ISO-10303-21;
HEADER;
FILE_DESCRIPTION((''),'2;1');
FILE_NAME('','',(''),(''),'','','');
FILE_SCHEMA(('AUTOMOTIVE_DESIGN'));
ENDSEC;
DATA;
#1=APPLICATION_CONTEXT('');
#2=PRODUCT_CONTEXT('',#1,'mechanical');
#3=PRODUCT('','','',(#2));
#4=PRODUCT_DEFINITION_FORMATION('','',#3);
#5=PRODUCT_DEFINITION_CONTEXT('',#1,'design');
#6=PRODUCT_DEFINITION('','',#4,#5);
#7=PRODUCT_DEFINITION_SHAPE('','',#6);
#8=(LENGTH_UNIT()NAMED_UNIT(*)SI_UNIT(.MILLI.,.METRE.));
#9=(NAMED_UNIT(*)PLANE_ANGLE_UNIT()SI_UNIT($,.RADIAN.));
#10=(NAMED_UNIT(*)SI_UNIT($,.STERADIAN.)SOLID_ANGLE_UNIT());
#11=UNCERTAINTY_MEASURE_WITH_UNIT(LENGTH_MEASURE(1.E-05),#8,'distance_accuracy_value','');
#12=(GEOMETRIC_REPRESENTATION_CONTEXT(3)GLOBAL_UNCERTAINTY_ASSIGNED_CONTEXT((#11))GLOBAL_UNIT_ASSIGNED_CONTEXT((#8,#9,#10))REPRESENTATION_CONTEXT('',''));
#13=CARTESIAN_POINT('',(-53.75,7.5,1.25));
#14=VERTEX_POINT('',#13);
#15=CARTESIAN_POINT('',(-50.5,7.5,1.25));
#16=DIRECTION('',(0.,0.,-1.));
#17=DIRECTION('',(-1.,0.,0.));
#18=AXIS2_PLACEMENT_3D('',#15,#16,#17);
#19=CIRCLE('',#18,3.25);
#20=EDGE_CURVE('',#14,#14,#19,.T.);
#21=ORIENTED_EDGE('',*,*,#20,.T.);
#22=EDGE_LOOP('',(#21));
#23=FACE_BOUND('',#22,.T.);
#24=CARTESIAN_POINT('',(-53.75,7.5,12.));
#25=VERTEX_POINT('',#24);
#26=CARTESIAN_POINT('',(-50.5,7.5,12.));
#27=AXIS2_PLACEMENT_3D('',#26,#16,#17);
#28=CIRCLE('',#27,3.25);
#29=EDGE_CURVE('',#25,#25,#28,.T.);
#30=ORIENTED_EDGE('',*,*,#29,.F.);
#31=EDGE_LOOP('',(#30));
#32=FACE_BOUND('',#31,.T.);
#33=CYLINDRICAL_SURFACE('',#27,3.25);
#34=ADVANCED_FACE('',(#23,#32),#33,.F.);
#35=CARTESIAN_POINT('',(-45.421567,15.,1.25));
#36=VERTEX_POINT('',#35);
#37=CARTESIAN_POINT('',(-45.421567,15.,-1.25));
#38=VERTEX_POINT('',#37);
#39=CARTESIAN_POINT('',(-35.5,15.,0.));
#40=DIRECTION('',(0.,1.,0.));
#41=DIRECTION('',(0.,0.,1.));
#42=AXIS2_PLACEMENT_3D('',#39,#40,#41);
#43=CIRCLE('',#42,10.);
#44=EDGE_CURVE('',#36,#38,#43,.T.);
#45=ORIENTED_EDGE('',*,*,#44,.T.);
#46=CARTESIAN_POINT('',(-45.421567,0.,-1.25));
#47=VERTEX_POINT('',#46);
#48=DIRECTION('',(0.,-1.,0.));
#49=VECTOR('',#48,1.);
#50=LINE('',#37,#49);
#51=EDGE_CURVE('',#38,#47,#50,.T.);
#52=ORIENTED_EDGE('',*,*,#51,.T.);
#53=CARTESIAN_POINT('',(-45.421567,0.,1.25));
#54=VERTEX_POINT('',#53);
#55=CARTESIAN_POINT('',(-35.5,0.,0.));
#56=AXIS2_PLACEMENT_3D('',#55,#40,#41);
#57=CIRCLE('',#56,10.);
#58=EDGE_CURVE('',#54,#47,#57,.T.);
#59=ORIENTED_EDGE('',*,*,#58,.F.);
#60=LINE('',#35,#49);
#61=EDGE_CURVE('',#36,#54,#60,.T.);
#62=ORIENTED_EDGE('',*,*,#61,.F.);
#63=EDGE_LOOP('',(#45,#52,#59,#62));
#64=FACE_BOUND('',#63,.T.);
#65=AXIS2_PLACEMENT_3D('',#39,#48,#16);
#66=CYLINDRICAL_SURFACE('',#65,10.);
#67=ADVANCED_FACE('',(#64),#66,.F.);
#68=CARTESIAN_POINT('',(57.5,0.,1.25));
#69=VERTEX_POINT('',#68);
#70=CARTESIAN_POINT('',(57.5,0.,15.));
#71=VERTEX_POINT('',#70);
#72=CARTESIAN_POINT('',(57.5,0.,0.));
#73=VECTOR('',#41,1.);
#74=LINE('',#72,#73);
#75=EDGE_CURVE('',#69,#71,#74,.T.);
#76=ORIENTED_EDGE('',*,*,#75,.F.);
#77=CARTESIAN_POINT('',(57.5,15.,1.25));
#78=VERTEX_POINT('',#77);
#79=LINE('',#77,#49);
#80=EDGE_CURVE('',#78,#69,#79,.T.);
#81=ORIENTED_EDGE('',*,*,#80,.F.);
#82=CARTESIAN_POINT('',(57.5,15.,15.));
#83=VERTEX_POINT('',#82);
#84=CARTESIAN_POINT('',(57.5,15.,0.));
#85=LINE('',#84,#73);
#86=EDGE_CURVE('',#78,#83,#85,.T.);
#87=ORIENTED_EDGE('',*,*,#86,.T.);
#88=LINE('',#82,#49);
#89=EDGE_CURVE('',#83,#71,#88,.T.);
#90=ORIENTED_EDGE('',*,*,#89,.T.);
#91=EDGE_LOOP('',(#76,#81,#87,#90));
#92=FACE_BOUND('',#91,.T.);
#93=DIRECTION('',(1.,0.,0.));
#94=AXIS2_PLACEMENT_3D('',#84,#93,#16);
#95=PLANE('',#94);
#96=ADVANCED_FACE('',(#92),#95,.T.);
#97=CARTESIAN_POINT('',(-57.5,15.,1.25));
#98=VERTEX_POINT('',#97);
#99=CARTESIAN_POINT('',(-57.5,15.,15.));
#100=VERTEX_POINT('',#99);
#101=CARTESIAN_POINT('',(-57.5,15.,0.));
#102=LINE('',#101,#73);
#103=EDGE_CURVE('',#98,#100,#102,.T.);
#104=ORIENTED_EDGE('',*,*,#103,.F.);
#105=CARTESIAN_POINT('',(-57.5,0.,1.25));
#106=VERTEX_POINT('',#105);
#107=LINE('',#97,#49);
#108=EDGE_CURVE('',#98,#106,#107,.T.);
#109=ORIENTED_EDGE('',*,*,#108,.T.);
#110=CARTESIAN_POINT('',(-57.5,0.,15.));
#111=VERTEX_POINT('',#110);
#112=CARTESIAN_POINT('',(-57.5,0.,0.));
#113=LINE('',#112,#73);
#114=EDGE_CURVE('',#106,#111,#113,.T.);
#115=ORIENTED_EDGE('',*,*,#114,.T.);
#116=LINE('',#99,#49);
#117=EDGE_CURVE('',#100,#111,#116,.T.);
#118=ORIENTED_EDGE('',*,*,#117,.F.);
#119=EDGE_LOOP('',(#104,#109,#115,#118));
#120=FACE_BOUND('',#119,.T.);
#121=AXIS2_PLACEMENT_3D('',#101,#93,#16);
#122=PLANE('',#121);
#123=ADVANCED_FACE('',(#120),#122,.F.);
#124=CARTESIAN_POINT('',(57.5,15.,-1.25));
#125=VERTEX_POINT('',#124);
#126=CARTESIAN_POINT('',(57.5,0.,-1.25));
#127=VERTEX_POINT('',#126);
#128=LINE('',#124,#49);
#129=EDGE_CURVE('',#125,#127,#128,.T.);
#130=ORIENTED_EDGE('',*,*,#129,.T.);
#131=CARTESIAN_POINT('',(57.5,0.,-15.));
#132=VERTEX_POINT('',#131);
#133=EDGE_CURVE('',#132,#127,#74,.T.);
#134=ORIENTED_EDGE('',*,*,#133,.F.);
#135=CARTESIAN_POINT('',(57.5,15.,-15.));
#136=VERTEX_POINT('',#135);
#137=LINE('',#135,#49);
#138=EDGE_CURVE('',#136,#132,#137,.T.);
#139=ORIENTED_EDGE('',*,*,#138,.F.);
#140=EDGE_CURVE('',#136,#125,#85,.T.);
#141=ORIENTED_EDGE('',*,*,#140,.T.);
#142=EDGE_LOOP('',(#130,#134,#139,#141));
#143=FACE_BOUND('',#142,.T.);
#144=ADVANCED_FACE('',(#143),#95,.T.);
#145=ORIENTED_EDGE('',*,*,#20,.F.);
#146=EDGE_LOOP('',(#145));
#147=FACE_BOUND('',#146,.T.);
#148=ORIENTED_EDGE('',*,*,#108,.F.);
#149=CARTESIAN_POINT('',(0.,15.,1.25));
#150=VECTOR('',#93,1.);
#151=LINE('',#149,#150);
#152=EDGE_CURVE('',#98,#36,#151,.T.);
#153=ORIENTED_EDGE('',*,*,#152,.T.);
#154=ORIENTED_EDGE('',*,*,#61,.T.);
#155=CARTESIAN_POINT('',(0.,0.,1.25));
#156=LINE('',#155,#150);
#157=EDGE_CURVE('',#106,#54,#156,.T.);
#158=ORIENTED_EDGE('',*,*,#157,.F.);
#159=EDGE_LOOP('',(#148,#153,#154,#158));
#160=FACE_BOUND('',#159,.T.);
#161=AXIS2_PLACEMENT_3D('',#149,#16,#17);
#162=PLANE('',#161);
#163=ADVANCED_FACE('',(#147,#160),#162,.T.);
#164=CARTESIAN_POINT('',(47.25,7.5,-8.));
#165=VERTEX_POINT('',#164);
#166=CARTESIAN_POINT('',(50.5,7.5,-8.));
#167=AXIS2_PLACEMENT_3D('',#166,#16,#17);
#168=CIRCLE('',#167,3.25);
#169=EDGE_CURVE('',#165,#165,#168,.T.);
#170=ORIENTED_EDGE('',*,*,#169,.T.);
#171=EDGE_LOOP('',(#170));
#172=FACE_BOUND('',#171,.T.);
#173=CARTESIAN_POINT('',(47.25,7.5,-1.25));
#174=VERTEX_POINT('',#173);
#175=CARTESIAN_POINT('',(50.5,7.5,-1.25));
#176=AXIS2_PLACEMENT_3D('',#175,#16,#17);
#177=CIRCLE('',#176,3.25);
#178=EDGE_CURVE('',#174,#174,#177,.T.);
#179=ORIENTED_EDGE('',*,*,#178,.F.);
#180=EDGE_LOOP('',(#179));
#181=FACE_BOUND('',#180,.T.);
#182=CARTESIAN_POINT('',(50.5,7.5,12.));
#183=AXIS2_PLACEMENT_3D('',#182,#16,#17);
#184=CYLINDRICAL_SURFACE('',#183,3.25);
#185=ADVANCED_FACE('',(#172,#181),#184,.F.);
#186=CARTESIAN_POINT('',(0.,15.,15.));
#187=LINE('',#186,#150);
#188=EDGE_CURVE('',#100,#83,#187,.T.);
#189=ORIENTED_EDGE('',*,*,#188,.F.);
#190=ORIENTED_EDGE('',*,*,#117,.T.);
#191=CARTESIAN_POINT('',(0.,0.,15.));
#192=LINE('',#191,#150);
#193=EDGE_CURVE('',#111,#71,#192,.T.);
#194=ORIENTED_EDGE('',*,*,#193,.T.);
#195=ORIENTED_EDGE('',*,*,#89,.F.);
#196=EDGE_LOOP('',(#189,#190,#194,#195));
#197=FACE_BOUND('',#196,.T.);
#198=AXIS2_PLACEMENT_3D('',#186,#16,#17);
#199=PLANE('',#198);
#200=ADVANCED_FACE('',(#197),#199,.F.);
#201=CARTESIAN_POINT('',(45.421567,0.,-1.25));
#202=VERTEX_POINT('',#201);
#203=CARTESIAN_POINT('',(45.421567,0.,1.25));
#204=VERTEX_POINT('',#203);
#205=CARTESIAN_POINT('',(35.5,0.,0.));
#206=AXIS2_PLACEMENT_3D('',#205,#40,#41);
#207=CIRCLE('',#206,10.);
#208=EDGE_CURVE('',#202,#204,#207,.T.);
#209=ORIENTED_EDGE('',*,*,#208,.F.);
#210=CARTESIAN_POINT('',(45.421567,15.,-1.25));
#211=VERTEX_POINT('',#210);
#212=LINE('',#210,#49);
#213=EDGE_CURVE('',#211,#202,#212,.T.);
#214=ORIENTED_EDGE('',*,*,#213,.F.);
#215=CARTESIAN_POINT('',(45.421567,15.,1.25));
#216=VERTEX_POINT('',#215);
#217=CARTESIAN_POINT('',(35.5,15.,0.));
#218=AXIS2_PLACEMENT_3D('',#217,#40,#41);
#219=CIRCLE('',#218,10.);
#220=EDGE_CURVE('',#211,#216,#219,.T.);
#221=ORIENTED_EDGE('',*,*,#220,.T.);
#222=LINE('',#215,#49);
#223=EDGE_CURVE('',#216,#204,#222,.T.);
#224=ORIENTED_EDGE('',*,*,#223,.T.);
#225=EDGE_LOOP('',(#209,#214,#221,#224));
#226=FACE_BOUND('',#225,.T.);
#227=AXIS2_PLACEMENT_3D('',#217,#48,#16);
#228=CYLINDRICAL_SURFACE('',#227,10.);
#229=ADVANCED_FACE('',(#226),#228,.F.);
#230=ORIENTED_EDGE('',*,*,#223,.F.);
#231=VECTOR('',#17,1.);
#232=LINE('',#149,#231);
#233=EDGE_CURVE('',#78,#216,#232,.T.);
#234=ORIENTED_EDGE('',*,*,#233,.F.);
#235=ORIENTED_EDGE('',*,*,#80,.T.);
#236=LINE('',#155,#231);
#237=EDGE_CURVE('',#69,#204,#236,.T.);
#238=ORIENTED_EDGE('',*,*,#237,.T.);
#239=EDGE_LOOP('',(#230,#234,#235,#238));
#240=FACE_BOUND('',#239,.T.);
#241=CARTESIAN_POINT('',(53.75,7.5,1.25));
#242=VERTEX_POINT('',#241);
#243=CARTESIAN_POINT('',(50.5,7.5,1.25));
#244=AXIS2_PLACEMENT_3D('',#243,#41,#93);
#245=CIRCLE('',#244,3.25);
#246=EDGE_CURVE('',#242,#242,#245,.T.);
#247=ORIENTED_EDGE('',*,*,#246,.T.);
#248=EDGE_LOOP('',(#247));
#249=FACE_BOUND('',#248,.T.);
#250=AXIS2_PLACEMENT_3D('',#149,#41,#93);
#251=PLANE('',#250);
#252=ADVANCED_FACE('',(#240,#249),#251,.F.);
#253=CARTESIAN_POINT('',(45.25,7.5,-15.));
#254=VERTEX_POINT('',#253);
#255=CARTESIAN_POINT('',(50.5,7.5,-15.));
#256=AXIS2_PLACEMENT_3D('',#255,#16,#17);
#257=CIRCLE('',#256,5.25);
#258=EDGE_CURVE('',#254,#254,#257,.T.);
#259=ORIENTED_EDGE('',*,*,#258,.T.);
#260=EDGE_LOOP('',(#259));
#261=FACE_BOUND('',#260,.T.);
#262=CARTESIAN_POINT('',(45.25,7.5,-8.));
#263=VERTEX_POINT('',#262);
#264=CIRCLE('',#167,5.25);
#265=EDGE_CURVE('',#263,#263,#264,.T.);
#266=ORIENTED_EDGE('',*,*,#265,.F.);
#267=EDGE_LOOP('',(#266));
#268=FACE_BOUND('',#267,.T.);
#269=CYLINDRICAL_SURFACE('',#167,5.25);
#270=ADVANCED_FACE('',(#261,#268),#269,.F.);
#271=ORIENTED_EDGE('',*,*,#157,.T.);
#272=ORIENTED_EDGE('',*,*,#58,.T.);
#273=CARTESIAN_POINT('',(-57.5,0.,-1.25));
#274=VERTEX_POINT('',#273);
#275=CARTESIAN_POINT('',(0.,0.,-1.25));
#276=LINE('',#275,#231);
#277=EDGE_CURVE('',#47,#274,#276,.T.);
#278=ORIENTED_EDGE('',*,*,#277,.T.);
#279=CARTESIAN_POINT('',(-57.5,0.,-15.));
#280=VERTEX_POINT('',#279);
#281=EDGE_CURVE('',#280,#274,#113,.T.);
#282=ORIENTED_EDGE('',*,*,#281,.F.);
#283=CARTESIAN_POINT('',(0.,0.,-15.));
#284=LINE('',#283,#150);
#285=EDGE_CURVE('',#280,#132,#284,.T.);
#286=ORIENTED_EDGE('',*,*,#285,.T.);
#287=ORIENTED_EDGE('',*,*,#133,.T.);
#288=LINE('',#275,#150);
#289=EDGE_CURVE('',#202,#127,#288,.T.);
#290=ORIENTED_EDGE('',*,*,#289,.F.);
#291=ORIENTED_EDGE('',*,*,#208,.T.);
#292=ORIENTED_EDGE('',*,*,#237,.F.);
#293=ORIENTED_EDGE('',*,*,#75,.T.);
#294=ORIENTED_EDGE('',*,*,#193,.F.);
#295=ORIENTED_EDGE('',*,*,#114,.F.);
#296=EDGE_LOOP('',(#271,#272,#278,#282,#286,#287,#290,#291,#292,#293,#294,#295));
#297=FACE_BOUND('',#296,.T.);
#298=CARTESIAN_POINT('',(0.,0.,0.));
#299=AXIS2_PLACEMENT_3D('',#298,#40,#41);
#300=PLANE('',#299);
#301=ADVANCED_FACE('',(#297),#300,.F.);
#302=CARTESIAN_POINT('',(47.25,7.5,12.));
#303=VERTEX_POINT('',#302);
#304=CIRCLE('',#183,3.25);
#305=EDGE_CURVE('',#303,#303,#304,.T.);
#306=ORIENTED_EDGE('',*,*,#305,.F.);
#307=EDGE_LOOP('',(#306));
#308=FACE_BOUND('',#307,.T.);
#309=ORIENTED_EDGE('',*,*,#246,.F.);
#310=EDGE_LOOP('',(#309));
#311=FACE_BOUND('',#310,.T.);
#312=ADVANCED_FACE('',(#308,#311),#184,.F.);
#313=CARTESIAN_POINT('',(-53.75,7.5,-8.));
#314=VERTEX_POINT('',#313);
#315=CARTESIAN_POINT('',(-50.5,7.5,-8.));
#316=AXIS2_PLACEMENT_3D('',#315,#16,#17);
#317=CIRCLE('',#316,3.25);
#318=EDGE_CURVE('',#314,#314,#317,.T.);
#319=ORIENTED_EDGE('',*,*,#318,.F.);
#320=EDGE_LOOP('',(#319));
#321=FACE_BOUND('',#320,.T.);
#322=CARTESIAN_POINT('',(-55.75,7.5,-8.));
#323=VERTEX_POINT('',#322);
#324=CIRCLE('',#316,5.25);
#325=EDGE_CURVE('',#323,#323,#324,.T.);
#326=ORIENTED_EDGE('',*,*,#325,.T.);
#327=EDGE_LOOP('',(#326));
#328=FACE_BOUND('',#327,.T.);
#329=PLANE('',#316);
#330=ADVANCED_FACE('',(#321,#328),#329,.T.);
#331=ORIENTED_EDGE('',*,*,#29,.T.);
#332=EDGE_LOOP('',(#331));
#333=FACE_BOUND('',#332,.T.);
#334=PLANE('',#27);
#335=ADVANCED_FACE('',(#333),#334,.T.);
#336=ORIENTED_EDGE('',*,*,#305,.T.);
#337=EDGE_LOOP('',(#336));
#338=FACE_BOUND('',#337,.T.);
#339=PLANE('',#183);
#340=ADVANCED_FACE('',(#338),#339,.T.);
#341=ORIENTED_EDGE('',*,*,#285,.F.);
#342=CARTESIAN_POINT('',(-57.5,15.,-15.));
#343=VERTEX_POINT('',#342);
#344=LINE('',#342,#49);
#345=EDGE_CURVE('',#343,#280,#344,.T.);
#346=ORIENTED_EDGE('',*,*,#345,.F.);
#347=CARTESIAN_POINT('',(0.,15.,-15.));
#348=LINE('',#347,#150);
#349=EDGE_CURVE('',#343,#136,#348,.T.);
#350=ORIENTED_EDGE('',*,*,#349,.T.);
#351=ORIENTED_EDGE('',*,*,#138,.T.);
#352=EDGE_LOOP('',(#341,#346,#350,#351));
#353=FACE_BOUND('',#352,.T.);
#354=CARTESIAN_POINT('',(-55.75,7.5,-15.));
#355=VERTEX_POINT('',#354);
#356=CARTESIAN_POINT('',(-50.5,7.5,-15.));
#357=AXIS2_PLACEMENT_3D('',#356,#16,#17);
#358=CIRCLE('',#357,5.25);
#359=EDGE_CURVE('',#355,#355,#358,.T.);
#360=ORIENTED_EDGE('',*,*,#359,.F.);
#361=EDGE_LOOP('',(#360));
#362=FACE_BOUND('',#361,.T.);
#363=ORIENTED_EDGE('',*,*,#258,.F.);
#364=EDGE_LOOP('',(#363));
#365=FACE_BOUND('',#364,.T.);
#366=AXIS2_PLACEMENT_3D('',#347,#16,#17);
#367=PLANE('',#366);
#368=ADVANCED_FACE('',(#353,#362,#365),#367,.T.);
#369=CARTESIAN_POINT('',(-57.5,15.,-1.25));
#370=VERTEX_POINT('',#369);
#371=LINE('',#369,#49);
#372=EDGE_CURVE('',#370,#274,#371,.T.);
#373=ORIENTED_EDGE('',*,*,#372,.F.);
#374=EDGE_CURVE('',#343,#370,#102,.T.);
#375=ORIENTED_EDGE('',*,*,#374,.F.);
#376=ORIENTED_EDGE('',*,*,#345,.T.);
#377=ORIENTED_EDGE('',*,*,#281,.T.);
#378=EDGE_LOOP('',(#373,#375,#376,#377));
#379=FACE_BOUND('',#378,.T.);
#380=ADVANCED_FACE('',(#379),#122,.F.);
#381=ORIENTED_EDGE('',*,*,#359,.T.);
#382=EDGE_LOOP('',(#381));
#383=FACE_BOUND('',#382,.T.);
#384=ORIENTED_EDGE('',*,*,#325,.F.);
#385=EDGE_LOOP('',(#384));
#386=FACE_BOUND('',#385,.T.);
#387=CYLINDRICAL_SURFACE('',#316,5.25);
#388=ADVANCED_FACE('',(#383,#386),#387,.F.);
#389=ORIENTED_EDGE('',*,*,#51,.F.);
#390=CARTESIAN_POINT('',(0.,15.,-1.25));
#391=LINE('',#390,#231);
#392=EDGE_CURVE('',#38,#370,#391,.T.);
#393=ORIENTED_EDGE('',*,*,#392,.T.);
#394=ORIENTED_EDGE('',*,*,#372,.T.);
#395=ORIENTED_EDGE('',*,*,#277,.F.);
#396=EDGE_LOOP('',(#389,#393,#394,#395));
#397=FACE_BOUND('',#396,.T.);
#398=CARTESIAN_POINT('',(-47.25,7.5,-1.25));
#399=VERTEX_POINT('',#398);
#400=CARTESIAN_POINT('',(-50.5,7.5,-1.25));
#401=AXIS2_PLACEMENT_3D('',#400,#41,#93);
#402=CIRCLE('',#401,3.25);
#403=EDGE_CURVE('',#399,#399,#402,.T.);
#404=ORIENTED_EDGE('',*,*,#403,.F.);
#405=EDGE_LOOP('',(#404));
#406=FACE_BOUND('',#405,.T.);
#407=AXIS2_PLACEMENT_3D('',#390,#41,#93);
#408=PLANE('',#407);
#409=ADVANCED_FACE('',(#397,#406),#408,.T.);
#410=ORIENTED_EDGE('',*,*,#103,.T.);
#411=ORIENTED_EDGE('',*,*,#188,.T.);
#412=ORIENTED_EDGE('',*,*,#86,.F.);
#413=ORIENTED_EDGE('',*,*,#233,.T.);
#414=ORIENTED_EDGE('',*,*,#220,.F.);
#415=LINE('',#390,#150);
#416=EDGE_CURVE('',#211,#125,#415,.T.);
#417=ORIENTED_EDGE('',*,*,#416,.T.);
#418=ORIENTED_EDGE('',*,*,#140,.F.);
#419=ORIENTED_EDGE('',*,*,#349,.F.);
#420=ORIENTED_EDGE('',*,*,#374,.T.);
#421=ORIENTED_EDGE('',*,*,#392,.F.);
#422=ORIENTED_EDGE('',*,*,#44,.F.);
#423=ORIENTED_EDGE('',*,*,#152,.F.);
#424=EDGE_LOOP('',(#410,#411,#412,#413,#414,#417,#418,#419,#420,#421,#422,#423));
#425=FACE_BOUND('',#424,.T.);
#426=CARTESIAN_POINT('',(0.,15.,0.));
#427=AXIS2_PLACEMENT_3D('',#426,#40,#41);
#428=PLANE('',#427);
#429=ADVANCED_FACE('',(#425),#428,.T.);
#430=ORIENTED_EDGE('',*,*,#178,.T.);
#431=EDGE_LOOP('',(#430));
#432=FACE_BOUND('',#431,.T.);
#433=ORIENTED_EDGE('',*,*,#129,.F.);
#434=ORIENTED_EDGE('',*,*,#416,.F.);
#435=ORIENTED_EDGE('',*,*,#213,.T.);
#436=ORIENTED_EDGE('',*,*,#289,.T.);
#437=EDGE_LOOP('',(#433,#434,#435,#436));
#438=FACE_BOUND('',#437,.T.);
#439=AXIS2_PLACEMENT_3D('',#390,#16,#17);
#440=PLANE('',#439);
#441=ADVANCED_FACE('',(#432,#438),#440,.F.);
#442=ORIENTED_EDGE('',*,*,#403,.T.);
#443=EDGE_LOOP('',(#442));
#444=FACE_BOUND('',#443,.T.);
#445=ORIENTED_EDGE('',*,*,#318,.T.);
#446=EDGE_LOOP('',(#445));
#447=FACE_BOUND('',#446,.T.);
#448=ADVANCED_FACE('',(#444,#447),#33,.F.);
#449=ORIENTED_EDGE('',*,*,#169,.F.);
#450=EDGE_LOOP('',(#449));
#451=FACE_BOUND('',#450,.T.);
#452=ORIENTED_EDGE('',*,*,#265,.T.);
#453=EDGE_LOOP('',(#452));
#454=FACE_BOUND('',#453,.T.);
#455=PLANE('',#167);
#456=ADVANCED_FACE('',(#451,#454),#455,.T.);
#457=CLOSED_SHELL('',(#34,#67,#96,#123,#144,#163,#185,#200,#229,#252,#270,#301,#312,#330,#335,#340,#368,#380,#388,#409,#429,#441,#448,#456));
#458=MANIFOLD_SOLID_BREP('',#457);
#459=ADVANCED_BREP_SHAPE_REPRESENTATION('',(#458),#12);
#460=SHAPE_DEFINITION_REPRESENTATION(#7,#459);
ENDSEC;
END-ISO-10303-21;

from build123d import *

# Parameters (mm, degrees)
BOSS_EXTRUDE1_DEPTH = 15
SKETCH2_R           = 5.25
CUT_EXTRUDE1_DEPTH  = 7
SKETCH3_R           = 3.25
CUT_EXTRUDE2_DEPTH  = 20


with BuildPart() as part:
    # Sketch1 → Boss-Extrude1 (new body)
    with BuildSketch(Plane(origin=(0, 0, 0), x_dir=(1, 0, 0), z_dir=(0, 1, 0))):
        with BuildLine():
            Line((57.5, 15), (-57.5, 15))
            Line((-57.5, 15), (-57.5, 1.25))
            Line((-57.5, 1.25), (-45.421567416, 1.25))
            ThreePointArc((-45.421567416, 1.25), (-34.873770875, 9.980372592), (-25.5, 0))
            ThreePointArc((-25.5, 0), (-34.873770875, -9.980372592), (-45.421567416, -1.25))
            Line((-45.421567416, -1.25), (-57.5, -1.25))
            Line((-57.5, -1.25), (-57.5, -15))
            Line((-57.5, -15), (57.5, -15))
            Line((57.5, -15), (57.5, -1.25))
            Line((57.5, -1.25), (45.421567416, -1.25))
            ThreePointArc((45.421567416, -1.25), (25.5, 0), (45.421567416, 1.25))
            Line((45.421567416, 1.25), (57.5, 1.25))
            Line((57.5, 1.25), (57.5, 15))
        make_face()
    extrude(amount=BOSS_EXTRUDE1_DEPTH)

    # Sketch2 → Cut-Extrude1 (cut)
    with BuildSketch(Plane(origin=(0, 0, -15), x_dir=(-1, 0, 0), z_dir=(0, 0, -1))):
        with Locations((-50.5, 7.5)):
            Circle(SKETCH2_R)
        with Locations((50.5, 7.5)):
            Circle(SKETCH2_R)
    extrude(amount=-CUT_EXTRUDE1_DEPTH, mode=Mode.SUBTRACT)

    # Sketch3 → Cut-Extrude2 (cut)
    with BuildSketch(Plane(origin=(0, 0, -8), x_dir=(-1, 0, 0), z_dir=(0, 0, -1))):
        with Locations((-50.5, 7.5)):
            Circle(SKETCH3_R)
        with Locations((50.5, 7.5)):
            Circle(SKETCH3_R)
    extrude(amount=-CUT_EXTRUDE2_DEPTH, mode=Mode.SUBTRACT)


solid = part.part
